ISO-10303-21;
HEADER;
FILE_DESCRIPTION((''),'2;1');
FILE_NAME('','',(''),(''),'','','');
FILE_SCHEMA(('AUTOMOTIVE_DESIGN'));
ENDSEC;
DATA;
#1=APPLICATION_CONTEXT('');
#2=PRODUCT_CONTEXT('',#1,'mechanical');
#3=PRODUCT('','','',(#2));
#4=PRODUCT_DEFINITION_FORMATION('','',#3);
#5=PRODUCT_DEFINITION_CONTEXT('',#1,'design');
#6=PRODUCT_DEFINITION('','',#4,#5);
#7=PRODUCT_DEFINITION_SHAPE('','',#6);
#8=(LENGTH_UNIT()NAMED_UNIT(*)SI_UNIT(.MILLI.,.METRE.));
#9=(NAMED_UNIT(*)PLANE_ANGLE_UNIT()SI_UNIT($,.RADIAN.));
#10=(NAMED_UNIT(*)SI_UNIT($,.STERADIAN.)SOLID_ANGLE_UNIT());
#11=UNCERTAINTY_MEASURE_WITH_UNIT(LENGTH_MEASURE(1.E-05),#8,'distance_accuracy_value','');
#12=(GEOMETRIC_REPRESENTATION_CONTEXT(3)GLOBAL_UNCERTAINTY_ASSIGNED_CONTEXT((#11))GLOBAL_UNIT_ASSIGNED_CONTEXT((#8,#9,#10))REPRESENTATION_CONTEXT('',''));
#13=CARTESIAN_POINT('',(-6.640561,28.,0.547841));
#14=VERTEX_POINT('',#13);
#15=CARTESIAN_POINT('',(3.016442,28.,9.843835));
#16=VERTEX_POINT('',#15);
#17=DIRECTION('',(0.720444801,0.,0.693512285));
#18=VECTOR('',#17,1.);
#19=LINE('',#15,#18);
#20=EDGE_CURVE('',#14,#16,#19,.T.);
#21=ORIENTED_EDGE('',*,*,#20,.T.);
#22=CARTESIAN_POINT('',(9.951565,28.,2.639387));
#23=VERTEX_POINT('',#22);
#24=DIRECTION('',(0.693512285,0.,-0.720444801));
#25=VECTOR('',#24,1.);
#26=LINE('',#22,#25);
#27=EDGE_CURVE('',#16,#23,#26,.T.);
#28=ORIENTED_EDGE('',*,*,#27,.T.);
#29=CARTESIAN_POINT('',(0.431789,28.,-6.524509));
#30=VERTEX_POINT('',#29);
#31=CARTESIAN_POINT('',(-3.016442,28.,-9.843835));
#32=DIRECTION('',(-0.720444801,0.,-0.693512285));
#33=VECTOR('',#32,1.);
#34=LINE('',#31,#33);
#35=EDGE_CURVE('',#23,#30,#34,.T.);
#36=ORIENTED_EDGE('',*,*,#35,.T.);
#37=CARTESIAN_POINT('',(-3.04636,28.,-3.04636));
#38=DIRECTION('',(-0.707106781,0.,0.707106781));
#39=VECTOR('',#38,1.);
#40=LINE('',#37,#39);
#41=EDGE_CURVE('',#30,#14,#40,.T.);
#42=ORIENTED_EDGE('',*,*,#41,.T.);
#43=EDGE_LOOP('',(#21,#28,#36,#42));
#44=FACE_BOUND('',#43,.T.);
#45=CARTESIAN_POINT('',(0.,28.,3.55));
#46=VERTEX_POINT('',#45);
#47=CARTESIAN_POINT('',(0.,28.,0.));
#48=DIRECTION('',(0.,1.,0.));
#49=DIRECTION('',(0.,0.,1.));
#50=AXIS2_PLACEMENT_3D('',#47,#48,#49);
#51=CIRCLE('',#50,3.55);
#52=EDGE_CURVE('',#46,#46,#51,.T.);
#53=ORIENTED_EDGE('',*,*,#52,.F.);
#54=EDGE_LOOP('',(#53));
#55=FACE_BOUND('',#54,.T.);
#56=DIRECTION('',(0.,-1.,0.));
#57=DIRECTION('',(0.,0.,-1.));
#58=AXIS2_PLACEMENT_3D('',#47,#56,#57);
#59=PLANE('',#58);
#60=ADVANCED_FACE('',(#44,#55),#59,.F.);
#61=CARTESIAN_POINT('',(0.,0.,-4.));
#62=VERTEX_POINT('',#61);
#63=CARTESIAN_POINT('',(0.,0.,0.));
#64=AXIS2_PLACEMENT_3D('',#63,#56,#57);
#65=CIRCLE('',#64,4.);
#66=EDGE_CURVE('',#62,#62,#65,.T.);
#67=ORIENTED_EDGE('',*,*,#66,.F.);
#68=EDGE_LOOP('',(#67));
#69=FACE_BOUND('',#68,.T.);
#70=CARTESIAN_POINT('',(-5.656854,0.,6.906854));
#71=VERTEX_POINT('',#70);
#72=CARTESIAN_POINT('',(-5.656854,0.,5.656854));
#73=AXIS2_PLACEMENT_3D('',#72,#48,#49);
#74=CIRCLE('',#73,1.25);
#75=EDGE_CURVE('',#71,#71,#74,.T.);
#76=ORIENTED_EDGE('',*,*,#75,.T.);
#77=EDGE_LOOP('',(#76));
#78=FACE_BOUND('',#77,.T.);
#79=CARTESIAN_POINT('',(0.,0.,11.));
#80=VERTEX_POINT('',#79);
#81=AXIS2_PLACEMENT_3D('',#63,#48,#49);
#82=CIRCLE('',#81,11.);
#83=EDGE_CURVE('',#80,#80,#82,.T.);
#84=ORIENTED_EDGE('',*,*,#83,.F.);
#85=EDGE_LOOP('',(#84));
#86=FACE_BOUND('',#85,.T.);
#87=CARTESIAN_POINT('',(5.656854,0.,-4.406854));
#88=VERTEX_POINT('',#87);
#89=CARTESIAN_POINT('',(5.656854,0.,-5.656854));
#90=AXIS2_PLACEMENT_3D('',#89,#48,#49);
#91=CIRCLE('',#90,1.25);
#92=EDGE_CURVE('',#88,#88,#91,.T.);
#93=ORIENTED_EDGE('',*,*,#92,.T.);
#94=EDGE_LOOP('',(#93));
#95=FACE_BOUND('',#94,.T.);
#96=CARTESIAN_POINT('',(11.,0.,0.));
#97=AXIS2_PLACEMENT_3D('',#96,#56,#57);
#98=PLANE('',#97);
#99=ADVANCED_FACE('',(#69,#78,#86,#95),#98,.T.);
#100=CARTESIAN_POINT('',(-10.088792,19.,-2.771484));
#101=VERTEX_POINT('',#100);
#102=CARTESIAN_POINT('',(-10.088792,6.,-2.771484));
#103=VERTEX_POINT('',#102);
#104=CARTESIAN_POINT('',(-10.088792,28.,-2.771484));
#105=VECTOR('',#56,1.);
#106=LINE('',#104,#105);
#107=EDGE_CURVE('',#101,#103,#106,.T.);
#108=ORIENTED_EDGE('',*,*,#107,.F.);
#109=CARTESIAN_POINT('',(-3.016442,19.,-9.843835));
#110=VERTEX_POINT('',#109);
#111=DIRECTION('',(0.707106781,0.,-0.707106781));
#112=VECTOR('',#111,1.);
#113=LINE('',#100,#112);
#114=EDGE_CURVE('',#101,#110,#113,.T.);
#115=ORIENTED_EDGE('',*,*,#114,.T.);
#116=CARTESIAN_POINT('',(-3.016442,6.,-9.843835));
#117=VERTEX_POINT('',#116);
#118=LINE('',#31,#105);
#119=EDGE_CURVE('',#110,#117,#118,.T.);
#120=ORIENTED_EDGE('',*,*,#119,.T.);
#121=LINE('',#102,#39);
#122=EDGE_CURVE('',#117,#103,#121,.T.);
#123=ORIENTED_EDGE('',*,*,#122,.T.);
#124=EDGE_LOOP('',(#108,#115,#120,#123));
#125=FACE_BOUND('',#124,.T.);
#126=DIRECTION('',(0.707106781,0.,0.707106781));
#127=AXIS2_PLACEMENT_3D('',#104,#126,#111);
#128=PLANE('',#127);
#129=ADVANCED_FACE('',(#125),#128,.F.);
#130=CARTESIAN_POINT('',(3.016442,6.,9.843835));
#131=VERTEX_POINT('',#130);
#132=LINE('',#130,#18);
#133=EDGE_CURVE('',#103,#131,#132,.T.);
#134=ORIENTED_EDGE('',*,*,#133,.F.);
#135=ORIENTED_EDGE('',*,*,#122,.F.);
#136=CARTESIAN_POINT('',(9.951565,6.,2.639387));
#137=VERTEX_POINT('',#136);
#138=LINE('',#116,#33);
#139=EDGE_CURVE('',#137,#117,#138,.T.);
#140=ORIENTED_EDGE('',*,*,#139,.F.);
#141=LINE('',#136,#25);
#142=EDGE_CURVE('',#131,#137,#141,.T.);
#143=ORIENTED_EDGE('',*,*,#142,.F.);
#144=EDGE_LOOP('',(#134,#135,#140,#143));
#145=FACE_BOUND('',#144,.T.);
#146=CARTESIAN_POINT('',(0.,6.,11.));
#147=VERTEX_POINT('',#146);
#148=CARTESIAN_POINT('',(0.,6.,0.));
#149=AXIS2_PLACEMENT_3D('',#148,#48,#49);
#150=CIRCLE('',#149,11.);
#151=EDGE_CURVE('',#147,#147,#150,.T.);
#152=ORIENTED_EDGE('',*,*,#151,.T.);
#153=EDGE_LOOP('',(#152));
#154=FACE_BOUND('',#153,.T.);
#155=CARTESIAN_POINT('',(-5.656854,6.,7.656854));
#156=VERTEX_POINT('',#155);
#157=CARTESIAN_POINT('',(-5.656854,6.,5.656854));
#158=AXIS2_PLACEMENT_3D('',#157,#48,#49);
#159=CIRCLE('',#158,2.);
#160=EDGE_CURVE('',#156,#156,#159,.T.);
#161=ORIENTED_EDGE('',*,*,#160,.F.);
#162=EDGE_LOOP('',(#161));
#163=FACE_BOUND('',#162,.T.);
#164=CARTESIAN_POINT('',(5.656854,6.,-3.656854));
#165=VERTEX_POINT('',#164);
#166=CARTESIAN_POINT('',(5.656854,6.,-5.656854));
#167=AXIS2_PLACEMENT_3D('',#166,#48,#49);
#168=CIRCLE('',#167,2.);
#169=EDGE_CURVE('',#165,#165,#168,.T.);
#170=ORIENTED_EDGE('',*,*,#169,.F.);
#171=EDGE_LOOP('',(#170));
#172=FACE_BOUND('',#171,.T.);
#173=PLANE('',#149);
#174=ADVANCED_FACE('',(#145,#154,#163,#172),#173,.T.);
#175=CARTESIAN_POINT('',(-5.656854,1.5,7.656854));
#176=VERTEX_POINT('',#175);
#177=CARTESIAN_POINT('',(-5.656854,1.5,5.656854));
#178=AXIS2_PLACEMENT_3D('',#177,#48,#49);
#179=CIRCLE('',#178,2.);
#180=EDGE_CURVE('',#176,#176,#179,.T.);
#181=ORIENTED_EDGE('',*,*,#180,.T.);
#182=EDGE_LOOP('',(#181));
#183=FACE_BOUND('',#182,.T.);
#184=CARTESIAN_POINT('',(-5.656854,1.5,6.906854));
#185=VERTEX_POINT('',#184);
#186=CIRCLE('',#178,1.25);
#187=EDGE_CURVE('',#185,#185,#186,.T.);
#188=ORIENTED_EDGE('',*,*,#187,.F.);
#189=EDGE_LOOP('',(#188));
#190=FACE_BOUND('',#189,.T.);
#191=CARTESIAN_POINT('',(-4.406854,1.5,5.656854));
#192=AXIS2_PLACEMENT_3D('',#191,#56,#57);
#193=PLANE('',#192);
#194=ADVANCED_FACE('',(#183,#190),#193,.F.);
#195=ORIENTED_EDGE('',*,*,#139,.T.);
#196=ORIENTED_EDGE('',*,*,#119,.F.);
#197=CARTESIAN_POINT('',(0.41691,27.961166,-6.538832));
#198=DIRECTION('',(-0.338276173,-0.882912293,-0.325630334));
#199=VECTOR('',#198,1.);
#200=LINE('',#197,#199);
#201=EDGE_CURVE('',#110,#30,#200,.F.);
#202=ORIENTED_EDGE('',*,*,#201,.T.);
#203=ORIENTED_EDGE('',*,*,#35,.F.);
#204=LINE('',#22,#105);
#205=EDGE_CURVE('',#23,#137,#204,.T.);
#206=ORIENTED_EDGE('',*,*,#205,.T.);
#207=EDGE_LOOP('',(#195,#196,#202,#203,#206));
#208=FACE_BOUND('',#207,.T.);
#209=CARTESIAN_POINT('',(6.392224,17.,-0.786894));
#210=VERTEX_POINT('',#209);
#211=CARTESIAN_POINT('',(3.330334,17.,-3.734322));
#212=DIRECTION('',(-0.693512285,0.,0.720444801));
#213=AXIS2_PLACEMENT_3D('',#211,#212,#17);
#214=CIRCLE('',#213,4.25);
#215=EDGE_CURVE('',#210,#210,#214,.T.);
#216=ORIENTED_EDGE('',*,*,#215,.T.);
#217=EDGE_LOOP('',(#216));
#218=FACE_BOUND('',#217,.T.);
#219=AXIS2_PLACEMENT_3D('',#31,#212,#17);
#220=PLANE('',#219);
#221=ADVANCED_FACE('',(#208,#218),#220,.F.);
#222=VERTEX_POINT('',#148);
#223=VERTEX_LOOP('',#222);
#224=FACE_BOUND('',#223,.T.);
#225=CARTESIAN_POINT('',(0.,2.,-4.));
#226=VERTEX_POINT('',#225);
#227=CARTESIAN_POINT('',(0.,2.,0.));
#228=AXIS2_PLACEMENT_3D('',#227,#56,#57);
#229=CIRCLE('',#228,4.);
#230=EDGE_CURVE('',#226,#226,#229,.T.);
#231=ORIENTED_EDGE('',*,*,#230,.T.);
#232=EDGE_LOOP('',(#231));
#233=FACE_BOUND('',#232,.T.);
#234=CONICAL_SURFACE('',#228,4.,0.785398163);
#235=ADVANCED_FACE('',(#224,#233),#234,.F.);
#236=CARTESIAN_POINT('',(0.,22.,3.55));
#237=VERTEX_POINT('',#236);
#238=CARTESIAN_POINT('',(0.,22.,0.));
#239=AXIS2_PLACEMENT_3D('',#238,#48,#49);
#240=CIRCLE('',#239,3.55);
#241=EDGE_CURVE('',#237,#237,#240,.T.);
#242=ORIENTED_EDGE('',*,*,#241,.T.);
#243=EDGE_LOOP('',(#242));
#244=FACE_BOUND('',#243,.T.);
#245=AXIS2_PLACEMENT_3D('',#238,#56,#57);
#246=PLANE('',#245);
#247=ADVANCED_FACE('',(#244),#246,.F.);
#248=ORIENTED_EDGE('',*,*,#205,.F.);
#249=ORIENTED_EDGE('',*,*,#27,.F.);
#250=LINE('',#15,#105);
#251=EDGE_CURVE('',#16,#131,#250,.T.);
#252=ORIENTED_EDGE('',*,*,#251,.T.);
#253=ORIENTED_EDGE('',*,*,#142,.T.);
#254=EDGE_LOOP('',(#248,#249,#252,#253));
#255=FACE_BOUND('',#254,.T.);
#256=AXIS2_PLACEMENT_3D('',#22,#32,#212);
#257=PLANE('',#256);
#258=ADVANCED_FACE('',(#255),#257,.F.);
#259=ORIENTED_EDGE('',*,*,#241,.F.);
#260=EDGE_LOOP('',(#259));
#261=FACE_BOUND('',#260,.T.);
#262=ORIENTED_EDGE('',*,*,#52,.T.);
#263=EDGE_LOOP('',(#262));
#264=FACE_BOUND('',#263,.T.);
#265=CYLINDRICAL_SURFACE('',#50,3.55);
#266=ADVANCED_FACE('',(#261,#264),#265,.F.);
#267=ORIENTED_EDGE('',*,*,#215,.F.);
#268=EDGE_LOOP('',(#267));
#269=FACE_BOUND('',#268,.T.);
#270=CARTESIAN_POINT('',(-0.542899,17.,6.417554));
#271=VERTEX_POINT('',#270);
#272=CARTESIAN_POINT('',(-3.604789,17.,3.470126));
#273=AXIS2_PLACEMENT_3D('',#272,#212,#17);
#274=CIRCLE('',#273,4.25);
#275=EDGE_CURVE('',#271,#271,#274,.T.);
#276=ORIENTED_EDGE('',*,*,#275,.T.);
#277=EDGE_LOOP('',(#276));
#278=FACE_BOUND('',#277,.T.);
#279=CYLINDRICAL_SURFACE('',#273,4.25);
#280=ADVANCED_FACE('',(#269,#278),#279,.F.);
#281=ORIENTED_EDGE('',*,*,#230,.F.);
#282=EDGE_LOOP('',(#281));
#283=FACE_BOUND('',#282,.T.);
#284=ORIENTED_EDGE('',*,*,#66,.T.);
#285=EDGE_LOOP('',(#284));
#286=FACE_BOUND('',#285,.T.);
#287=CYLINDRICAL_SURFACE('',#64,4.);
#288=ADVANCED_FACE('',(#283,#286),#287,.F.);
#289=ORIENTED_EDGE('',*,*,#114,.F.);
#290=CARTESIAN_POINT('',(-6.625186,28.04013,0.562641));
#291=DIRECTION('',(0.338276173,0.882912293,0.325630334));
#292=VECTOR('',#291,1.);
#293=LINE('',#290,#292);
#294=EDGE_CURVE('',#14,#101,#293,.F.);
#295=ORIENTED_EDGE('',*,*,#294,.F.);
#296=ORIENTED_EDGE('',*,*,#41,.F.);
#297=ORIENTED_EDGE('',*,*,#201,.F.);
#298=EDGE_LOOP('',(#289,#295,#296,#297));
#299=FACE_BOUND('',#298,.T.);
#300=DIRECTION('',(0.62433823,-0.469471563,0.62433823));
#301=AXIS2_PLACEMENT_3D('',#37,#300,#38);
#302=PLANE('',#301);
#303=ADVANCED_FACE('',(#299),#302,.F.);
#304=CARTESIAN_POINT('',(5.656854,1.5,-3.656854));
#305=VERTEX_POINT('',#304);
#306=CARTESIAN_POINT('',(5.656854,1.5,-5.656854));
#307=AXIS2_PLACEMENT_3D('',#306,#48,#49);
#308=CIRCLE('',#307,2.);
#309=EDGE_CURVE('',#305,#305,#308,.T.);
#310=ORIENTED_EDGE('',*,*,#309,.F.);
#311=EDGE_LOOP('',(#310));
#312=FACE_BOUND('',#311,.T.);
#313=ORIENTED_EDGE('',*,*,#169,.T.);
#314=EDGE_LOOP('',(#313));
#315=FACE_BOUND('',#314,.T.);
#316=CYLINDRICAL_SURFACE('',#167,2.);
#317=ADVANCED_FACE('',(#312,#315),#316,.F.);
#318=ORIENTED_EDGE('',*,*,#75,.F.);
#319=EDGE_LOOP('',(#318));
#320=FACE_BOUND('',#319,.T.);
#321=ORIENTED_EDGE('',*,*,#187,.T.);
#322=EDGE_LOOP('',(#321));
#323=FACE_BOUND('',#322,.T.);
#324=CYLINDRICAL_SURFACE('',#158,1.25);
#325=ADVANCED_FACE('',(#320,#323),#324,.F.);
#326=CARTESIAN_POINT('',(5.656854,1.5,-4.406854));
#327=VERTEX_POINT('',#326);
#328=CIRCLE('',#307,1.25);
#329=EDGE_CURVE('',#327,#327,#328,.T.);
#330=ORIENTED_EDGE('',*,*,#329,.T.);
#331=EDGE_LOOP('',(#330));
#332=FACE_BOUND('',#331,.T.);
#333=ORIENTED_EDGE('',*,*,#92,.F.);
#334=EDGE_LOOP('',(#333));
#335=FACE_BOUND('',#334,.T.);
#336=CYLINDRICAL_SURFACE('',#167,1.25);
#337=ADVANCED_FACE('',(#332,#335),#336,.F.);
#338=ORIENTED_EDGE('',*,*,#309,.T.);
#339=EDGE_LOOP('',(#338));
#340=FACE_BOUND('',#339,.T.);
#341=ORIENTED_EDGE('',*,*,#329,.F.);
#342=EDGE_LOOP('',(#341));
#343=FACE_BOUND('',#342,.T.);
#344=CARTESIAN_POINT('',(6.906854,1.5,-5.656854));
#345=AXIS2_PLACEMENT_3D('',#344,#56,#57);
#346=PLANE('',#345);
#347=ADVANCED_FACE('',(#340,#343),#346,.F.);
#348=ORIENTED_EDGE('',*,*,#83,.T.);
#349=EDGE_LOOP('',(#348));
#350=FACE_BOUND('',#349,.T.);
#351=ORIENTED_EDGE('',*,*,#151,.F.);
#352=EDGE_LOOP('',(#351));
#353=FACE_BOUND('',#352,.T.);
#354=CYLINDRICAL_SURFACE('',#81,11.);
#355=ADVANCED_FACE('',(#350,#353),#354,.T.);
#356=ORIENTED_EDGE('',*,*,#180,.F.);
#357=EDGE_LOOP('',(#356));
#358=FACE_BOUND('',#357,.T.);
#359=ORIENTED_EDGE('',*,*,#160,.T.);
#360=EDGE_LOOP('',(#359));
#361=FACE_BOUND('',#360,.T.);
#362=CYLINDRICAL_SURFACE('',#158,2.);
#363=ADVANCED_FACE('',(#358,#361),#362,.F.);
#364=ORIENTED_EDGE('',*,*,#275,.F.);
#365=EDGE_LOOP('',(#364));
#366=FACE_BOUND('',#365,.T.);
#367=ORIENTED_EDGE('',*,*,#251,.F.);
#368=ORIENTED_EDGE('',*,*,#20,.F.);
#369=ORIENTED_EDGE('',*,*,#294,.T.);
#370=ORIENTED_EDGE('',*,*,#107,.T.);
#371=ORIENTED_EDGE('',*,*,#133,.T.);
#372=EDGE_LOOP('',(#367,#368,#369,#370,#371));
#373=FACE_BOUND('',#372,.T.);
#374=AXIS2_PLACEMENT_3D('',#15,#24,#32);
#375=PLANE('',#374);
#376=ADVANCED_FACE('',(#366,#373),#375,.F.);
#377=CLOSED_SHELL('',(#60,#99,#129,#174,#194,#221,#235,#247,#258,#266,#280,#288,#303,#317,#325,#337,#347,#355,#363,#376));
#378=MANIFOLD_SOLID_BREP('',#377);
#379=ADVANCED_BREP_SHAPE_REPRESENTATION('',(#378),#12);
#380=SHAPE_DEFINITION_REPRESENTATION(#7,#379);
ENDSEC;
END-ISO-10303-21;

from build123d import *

# Parameters (mm, degrees)
ESQUISSE1_W                                        = 11
ESQUISSE1_H                                        = 6
BOSS_EXTRU_1_DEPTH                                 = 22
DIAM_TRE_DU_PER_AGE_7_1_7_1_1_D                    = 7.1
DIAM_TRE_DU_PER_AGE_7_1_7_1_1_DEPTH                = 6
DIAM_TRE_DU_PER_AGE_8_5_8_5_1_D                    = 8.5
CHAMBRAGE_POUR_VIS_T_TE_HEXAGONALE_M21_D           = 2.5
CHAMBRAGE_POUR_VIS_T_TE_HEXAGONALE_M21_CBORE_D     = 4
CHAMBRAGE_POUR_VIS_T_TE_HEXAGONALE_M21_CBORE_DEPTH = 4.5
DIAM_TRE_DU_PER_AGE_8_0_8_1_D                      = 8
DIAM_TRE_DU_PER_AGE_8_0_8_1_DEPTH                  = 2
DIAM_TRE_DU_PER_AGE_8_0_8_1_TIP                    = 4
CHANFREIN1_SIZE                                    = 9
CHANFREIN1_SIZE2                                   = 4.785384885


with BuildPart() as part:
    # Esquisse1 → Révolution1 (revolve)
    with BuildSketch(Plane(origin=(0, 0, 0), x_dir=(-1, 0, 0), z_dir=(0, 0, -1)), mode=Mode.PRIVATE) as r_volution1_sk:
        with Locations((-5.5, 3)):
            Rectangle(ESQUISSE1_W, ESQUISSE1_H)
    revolve(r_volution1_sk.sketch.rotate(Axis((0, 0, 0), (0, 1, 0)), 270), axis=Axis((0, 0, 0), (0, 1, 0)))

    # Esquisse2 → Boss.-Extru.1 (add)
    with BuildSketch(Plane(origin=(0, 6, 0), x_dir=(-1, 0, 0), z_dir=(0, 1, 0))):
        Polygon((-9.95156463, 2.63938656), (-3.016441782, 9.843834567), (10.088792211, -2.771484138), (3.016441782, -9.843834567), align=None)
    extrude(amount=BOSS_EXTRU_1_DEPTH)

    # Diamètre du perçage Ø7.1 (7.1)1
    with Locations(Plane(origin=(0, 28, 0), x_dir=(1, 0, 0), z_dir=(0, 1, 0))):
        with Locations((0, 0)):
            Hole(DIAM_TRE_DU_PER_AGE_7_1_7_1_1_D / 2, depth=DIAM_TRE_DU_PER_AGE_7_1_7_1_1_DEPTH)

    # Diamètre du perçage Ø8.5 (8.5)1 (through all)
    with Locations(Plane(origin=(-3.467561424, 0, 3.602224003), x_dir=(0.7204448006982934, 0, 0.6935122847843406), z_dir=(-0.6935122847843406, 0, 0.7204448006982934))):
        with Locations((-0.19047619, 17)):
            Hole(DIAM_TRE_DU_PER_AGE_8_5_8_5_1_D / 2)

    # Chambrage pour vis à tête hexagonale M21 (through all)
    with Locations(Plane(origin=(0, 6, 0), x_dir=(1, 0, 0), z_dir=(0, 1, 0))):
        with Locations((5.656854249, 5.656854249), (-5.656854249, -5.656854249)):
            CounterBoreHole(CHAMBRAGE_POUR_VIS_T_TE_HEXAGONALE_M21_D / 2, CHAMBRAGE_POUR_VIS_T_TE_HEXAGONALE_M21_CBORE_D / 2, CHAMBRAGE_POUR_VIS_T_TE_HEXAGONALE_M21_CBORE_DEPTH)

    # Diamètre du perçage Ø8.0 (8)1
    with Locations(Plane(origin=(0, 0, 0), x_dir=(-1, 0, 0), z_dir=(0, -1, 0))):
        with Locations((0, 0)):
            Hole(DIAM_TRE_DU_PER_AGE_8_0_8_1_D / 2, depth=DIAM_TRE_DU_PER_AGE_8_0_8_1_DEPTH)
            with Locations((0, 0, -(DIAM_TRE_DU_PER_AGE_8_0_8_1_DEPTH + DIAM_TRE_DU_PER_AGE_8_0_8_1_TIP / 2))):  # 90° drill point
                Cone(0, DIAM_TRE_DU_PER_AGE_8_0_8_1_D / 2, DIAM_TRE_DU_PER_AGE_8_0_8_1_TIP, mode=Mode.SUBTRACT)

    # Chanfrein1
    chanfrein1_edges = [part.edges().sort_by_distance(p)[0] for p in [
        (-6.552616997, 28, -6.307659352),
    ]]
    chanfrein1_side = [part.faces().sort_by_distance(p)[0] for p in [
        (-6.552616997, 17, -6.307659352),
    ]]
    chamfer(chanfrein1_edges, length=CHANFREIN1_SIZE, length2=CHANFREIN1_SIZE2, reference=chanfrein1_side[0])


solid = part.part
